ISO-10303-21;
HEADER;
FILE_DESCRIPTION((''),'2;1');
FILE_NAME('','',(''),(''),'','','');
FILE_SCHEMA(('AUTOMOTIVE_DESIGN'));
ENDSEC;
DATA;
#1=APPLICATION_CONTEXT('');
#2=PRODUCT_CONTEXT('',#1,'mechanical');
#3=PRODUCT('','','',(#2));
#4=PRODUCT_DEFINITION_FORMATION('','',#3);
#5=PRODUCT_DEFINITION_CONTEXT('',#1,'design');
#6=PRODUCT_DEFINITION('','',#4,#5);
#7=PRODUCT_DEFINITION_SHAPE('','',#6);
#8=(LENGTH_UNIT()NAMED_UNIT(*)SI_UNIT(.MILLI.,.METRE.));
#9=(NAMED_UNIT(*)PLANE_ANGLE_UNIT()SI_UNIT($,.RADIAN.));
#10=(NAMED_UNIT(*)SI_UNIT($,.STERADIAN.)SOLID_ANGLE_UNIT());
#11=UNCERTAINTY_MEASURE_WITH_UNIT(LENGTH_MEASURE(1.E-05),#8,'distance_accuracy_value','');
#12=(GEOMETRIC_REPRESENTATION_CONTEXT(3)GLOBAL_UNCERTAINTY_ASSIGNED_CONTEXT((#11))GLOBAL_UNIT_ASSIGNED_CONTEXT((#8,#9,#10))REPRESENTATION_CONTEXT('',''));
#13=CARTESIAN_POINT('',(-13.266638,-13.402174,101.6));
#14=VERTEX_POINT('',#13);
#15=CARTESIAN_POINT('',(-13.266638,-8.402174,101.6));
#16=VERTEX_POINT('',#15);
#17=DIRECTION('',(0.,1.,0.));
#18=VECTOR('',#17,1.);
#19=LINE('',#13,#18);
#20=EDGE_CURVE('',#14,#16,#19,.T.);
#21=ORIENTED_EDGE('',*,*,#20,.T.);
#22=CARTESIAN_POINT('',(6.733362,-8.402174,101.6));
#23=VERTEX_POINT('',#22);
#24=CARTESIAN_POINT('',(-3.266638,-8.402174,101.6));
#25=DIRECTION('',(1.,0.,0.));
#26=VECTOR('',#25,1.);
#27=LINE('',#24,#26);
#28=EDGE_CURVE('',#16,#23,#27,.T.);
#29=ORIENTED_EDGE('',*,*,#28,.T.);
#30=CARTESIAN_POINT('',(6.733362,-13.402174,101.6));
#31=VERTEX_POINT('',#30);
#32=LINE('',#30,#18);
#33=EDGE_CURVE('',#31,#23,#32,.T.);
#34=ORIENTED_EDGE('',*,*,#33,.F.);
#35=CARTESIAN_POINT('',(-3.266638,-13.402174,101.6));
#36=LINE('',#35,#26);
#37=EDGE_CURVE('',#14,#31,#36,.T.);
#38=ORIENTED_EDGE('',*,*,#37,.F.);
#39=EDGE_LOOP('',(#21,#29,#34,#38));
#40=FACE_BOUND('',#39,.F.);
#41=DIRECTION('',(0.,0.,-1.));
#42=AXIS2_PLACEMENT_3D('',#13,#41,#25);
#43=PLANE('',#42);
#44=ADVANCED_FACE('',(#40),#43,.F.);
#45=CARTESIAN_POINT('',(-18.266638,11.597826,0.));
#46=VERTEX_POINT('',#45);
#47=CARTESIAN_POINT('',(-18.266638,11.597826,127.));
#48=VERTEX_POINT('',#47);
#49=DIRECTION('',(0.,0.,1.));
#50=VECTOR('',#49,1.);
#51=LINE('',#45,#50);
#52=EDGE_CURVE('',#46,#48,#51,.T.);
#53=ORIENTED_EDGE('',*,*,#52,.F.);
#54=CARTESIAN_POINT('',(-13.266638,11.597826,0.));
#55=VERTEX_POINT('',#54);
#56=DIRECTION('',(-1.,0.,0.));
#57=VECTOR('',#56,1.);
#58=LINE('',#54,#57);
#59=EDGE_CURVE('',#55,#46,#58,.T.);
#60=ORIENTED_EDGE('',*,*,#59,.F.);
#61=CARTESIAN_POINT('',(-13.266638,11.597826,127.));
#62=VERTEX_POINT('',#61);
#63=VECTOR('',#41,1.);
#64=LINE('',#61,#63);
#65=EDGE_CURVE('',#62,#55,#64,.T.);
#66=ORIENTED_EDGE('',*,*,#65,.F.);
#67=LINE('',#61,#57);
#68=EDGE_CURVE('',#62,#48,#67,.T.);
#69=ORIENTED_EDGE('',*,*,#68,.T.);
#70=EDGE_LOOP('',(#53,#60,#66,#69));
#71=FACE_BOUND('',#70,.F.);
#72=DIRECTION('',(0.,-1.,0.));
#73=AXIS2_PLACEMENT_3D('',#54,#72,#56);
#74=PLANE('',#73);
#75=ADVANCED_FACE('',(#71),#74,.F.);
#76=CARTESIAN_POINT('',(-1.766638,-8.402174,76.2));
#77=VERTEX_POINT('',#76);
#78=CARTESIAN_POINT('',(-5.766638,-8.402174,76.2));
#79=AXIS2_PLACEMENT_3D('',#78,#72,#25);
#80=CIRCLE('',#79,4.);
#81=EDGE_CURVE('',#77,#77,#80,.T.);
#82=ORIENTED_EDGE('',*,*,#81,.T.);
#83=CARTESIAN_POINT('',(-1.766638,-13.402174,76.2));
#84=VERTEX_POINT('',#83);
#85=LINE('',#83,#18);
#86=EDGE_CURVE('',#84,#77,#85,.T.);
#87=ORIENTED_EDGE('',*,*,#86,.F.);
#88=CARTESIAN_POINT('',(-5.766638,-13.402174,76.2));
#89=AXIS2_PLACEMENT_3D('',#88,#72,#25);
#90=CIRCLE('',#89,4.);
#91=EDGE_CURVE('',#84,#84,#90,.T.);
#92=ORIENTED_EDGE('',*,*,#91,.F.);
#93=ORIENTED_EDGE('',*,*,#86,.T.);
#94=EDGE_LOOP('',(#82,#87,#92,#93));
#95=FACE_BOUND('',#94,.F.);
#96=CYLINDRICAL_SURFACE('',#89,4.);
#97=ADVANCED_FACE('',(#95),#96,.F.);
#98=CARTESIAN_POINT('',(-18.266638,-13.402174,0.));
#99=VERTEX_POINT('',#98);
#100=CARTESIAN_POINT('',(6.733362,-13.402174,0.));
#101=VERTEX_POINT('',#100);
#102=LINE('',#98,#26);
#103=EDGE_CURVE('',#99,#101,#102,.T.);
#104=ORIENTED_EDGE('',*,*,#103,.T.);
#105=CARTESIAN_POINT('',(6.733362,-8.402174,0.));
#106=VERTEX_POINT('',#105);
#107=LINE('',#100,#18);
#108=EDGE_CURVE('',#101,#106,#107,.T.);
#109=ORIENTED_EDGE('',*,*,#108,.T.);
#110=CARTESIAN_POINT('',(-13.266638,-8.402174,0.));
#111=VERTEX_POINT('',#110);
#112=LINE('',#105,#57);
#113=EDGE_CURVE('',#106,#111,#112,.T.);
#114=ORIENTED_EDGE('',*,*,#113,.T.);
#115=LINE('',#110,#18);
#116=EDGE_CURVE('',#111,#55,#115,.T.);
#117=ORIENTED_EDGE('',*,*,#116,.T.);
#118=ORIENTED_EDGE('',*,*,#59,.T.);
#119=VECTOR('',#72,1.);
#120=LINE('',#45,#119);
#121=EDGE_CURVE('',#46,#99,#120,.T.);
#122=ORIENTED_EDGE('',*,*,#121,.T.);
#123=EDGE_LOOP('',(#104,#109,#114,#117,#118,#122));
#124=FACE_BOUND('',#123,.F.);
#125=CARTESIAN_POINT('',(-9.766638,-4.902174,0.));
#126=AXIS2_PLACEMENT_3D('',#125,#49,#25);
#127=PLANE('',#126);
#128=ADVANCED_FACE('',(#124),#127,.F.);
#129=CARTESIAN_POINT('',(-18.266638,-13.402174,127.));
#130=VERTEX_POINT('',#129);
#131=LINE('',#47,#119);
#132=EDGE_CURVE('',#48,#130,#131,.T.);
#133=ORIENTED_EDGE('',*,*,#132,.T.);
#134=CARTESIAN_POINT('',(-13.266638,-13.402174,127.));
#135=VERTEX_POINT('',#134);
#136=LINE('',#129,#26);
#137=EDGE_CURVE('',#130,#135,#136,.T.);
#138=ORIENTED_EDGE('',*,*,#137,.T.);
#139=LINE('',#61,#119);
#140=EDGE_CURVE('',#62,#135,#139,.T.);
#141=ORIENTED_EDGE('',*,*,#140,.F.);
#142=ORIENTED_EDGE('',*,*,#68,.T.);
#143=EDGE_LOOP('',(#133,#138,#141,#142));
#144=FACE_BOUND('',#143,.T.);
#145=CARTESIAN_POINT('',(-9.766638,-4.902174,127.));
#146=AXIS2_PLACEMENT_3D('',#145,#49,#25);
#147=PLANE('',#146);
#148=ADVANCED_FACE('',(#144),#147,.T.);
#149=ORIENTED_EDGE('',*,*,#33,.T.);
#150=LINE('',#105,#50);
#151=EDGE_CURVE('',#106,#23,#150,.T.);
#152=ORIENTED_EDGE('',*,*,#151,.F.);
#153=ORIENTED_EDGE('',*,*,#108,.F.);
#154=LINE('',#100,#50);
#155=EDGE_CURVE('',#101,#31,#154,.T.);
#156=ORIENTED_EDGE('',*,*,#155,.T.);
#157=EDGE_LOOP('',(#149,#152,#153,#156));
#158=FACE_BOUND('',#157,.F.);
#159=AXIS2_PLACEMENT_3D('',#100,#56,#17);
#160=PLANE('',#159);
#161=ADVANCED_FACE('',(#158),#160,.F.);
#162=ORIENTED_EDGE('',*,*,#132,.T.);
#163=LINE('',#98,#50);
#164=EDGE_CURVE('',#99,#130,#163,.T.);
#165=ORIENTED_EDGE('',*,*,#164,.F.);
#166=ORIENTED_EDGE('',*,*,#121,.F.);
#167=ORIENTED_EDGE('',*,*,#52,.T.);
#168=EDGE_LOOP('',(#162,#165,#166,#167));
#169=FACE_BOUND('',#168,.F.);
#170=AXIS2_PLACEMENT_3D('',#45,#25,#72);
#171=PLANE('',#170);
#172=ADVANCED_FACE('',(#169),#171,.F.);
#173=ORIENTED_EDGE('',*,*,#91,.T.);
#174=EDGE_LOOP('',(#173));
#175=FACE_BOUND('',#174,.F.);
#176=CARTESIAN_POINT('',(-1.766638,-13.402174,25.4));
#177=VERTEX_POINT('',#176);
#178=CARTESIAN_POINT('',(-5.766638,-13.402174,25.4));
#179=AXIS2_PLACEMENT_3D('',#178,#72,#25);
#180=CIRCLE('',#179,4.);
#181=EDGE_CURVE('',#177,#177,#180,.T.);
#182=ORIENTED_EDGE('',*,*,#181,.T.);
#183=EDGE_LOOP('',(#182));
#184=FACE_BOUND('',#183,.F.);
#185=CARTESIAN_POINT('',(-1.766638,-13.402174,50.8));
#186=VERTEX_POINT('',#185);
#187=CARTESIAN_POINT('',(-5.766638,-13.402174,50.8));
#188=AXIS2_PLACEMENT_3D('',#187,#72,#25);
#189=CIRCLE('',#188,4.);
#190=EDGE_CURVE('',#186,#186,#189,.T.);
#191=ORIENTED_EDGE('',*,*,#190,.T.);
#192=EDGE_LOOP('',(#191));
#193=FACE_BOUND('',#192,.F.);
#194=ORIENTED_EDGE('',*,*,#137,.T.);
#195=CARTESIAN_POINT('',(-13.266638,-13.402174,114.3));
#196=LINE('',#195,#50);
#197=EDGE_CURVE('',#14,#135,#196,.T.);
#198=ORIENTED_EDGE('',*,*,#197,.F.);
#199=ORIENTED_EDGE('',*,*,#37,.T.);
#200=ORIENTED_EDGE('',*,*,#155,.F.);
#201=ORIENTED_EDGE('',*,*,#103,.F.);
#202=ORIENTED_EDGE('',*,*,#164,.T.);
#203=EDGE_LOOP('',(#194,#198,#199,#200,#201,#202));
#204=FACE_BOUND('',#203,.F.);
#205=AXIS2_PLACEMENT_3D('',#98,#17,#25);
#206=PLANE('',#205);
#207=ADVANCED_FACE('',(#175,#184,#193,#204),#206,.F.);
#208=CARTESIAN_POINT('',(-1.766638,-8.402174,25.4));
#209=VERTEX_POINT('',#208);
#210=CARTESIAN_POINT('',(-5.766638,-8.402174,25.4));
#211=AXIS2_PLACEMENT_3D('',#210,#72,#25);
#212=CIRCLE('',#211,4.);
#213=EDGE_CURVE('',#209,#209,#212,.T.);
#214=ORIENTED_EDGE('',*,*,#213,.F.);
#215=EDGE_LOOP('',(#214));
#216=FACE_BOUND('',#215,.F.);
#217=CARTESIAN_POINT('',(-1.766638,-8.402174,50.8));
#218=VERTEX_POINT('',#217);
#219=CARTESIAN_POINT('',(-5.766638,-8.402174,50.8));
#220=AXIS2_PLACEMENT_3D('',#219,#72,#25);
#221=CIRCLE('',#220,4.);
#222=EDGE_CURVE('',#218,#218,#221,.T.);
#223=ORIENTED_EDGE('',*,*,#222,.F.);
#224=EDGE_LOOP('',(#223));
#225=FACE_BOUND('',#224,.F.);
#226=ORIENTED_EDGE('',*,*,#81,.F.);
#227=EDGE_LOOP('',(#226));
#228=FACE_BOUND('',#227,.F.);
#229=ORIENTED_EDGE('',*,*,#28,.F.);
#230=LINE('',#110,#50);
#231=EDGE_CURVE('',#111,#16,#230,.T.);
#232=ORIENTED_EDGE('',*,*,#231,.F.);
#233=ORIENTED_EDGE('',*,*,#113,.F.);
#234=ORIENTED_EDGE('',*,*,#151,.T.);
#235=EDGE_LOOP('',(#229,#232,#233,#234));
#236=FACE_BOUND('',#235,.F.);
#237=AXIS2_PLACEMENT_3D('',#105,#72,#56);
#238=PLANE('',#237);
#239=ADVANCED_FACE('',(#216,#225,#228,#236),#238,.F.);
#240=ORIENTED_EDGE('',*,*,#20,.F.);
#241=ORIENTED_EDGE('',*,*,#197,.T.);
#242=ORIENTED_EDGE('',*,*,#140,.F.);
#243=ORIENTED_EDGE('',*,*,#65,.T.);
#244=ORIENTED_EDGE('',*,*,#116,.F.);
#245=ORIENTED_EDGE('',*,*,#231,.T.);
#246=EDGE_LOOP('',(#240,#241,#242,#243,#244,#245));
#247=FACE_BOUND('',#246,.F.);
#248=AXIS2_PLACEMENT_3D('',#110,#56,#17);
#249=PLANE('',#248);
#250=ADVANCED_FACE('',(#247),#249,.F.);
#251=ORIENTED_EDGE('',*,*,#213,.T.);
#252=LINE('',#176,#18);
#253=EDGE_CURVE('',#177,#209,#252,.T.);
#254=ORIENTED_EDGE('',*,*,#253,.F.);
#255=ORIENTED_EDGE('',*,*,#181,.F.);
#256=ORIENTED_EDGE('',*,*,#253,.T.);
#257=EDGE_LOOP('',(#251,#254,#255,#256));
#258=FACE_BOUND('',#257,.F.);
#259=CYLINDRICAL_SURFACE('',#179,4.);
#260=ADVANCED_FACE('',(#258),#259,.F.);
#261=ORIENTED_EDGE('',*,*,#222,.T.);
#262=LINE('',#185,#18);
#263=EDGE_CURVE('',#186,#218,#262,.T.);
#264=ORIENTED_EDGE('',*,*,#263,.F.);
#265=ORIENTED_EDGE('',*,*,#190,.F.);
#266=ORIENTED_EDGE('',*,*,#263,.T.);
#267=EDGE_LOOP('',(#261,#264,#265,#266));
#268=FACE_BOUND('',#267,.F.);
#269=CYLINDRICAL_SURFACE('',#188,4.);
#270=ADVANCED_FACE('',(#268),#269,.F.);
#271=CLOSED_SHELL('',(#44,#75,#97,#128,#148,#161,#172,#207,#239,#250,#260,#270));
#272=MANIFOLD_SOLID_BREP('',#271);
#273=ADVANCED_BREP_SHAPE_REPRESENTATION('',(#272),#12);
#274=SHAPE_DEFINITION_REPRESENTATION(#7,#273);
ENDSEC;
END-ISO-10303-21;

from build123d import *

# Parameters (mm, degrees)
F1_DEPTH = 127
F2_R     = 4
F2_W     = 20
F2_H     = 25.4
F3_DEPTH = 25


with BuildPart() as f1:
    # F0 (on Top) → F1 (new body)
    with BuildSketch(Plane.XY):
        Polygon((-13.266638, 11.597826), (-18.266638, 11.597826), (-18.266638, -13.402174), (6.733362, -13.402174), (6.733362, -8.402174), (-13.266638, -8.402174), align=None)
    extrude(amount=F1_DEPTH)

    # F2 (on face) → F3 (cut)
    with BuildSketch(Plane.XZ.offset(13.402174)):
        with Locations((-5.766638, 76.2)):
            Circle(F2_R)
        with Locations((-5.766638, 50.8)):
            Circle(F2_R)
        with Locations((-5.766638, 25.4)):
            Circle(F2_R)
        with Locations((-3.266638, 114.3)):
            Rectangle(F2_W, F2_H)
    extrude(amount=-F3_DEPTH, mode=Mode.SUBTRACT)


solid = f1.part
